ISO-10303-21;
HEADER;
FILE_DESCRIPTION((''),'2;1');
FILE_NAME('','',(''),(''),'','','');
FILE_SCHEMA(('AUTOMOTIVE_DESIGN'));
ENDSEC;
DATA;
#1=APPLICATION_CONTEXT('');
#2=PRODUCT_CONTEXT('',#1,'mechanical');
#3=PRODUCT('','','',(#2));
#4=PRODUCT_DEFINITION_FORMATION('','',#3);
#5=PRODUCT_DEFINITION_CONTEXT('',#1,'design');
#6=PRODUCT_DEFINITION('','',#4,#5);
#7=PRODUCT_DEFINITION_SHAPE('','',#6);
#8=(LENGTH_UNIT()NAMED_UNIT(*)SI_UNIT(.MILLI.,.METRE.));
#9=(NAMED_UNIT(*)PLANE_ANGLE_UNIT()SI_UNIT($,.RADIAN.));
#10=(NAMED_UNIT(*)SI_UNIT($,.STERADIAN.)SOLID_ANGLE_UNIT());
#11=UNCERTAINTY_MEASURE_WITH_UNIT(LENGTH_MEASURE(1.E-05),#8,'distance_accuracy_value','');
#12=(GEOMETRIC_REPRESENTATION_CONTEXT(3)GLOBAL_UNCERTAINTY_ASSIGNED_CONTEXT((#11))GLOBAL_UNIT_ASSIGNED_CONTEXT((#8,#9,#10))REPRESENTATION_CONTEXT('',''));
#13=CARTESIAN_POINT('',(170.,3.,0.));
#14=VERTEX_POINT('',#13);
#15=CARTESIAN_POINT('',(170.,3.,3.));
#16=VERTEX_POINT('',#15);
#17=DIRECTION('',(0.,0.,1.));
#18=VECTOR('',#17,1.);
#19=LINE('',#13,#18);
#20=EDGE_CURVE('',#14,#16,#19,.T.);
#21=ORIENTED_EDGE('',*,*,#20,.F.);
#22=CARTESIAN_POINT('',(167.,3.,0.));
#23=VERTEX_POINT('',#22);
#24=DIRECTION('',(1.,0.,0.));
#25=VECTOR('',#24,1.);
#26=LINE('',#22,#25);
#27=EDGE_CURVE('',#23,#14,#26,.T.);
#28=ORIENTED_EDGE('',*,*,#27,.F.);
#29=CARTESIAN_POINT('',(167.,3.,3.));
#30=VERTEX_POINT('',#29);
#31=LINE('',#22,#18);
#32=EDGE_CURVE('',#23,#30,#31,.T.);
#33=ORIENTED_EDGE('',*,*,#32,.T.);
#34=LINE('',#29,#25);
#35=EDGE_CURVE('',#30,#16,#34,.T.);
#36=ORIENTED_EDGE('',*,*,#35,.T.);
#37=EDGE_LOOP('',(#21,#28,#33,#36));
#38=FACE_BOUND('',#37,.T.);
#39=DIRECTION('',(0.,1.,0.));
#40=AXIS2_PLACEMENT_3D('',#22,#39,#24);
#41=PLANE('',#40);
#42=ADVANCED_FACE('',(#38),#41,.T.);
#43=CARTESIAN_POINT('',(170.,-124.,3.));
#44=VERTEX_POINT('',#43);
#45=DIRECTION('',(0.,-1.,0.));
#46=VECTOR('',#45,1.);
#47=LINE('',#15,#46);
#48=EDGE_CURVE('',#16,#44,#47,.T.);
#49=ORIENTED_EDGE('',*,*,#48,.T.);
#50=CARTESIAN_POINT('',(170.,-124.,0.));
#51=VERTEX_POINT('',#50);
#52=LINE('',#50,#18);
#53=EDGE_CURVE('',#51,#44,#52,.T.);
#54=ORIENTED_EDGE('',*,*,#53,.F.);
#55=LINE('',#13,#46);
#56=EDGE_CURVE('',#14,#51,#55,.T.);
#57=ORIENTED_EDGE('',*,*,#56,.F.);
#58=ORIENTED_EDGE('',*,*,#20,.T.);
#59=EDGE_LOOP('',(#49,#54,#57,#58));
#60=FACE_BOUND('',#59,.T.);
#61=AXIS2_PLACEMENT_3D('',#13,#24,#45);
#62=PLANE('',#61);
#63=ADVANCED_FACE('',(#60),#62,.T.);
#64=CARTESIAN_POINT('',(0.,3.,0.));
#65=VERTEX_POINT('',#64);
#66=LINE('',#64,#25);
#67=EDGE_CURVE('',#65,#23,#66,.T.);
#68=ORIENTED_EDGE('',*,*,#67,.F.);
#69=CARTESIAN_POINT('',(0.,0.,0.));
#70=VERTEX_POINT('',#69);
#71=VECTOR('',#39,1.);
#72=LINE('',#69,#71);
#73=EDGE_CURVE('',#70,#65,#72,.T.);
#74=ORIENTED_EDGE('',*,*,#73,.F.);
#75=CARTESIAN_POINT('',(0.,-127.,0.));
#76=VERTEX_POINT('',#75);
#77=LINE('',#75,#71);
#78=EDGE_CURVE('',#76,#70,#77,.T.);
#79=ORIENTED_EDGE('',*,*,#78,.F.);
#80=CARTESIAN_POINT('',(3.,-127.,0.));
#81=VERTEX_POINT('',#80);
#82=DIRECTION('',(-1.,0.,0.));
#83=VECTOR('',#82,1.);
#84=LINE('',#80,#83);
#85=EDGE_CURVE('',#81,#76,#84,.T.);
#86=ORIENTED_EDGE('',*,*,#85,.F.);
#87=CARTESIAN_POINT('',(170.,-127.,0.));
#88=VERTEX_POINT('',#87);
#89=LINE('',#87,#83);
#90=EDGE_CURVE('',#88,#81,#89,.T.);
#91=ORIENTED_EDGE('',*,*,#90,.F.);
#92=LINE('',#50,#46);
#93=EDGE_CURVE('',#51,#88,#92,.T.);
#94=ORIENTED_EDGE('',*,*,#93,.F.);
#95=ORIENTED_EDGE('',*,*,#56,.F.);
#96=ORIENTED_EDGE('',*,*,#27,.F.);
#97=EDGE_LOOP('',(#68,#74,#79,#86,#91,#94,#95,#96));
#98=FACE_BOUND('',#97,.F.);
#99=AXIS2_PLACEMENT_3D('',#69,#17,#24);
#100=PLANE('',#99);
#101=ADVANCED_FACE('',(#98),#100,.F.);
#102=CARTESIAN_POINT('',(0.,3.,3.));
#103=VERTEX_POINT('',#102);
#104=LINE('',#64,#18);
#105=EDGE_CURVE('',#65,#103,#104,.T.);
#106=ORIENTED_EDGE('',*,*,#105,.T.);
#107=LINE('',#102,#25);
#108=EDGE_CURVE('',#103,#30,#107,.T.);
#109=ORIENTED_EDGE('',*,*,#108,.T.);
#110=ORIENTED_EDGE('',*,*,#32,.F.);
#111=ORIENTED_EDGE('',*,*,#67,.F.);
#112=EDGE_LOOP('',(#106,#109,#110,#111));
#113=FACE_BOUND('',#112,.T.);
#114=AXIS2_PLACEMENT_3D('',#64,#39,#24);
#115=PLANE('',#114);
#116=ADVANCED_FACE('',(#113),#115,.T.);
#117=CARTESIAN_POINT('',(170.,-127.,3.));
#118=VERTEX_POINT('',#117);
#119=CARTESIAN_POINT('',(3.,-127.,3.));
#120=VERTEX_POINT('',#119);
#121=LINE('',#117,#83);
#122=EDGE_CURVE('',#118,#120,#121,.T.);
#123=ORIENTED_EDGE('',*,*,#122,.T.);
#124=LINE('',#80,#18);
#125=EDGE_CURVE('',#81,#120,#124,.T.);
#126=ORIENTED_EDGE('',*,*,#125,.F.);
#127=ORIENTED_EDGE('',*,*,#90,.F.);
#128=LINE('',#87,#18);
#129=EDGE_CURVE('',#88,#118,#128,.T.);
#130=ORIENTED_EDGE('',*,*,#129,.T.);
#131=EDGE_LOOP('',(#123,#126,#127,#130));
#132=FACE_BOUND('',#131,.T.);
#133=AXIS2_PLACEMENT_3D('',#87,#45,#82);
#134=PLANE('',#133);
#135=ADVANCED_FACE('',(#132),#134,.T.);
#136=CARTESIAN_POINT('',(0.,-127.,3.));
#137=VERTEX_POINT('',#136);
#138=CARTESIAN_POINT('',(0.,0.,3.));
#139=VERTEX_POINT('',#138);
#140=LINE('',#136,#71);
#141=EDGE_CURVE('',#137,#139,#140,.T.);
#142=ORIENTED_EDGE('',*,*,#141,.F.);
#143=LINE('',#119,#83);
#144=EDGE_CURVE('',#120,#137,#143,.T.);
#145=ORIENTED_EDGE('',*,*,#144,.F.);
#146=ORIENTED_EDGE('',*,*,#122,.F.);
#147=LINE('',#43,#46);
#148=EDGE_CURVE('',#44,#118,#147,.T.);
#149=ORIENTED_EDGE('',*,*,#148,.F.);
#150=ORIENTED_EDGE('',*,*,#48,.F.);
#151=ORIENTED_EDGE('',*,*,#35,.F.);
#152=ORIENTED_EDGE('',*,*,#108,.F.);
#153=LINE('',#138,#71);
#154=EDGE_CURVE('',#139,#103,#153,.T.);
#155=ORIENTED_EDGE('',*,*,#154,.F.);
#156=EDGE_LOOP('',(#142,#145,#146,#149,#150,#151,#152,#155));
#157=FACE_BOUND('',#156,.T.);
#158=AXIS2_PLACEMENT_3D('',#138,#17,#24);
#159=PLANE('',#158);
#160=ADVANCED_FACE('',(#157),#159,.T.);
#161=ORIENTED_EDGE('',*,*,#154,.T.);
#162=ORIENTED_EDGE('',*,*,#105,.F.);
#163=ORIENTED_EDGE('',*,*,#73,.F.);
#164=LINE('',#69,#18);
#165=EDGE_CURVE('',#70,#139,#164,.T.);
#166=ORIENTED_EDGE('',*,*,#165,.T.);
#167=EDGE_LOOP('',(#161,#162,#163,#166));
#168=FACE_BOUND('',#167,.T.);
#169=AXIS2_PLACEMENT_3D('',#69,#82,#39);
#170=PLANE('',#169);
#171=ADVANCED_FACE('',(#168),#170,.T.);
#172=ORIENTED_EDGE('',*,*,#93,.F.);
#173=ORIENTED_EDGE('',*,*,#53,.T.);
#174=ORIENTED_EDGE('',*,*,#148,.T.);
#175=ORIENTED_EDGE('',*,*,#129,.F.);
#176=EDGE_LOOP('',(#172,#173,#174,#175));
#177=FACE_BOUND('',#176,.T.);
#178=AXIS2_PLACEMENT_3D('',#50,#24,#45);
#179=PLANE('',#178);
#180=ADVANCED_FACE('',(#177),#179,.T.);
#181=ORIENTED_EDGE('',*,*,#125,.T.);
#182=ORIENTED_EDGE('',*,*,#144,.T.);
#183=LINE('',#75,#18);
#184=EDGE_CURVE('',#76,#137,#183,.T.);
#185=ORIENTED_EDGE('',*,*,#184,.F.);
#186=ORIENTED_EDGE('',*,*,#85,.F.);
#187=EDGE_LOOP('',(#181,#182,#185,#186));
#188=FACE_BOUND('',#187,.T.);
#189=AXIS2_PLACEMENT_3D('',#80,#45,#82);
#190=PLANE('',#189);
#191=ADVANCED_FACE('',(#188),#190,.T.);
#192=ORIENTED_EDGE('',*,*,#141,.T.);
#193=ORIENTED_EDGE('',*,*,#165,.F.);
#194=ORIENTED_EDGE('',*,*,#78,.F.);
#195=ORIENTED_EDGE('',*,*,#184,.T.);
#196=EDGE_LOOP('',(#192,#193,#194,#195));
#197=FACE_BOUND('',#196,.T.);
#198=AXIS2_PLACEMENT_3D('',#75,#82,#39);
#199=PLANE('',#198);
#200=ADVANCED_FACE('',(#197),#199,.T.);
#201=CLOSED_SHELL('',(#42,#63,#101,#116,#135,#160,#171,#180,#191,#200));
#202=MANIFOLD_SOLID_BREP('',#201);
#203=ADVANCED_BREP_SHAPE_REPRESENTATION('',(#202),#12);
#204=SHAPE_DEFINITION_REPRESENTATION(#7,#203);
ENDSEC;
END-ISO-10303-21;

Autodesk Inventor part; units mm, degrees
ref_plane "YZ Plane" through (0, 0, 0) normal (1, 0, 0) x (0, 1, 0)
ref_plane "XZ Plane" through (0, 0, 0) normal (0, 1, 0) x (-1, 0, 0)
ref_plane "XY Plane" through (0, 0, 0) normal (0, 0, 1) x (1, 0, 0)
sketch "Boceto1" plane through (0, 0, 0) normal (0, 0, 1) x (1, 0, 0)
  line L0 (0, 3) -> (167, 3) projected
  line L1 (0, -127) -> (0, 0) projected
  line L2 (0, 0) -> (0, 3) projected
  line L3 (170, -127) -> (3, -127) projected
  line L4 (3, -127) -> (0, -127) projected
  line L5 (170, -124) -> (170, -127) projected
  line L6 (170, 3) -> (170, -124) projected
  line L7 (167, 3) -> (170, 3) projected
extrude "Extrusión1" add sketch "Boceto1" along normal blind 3
